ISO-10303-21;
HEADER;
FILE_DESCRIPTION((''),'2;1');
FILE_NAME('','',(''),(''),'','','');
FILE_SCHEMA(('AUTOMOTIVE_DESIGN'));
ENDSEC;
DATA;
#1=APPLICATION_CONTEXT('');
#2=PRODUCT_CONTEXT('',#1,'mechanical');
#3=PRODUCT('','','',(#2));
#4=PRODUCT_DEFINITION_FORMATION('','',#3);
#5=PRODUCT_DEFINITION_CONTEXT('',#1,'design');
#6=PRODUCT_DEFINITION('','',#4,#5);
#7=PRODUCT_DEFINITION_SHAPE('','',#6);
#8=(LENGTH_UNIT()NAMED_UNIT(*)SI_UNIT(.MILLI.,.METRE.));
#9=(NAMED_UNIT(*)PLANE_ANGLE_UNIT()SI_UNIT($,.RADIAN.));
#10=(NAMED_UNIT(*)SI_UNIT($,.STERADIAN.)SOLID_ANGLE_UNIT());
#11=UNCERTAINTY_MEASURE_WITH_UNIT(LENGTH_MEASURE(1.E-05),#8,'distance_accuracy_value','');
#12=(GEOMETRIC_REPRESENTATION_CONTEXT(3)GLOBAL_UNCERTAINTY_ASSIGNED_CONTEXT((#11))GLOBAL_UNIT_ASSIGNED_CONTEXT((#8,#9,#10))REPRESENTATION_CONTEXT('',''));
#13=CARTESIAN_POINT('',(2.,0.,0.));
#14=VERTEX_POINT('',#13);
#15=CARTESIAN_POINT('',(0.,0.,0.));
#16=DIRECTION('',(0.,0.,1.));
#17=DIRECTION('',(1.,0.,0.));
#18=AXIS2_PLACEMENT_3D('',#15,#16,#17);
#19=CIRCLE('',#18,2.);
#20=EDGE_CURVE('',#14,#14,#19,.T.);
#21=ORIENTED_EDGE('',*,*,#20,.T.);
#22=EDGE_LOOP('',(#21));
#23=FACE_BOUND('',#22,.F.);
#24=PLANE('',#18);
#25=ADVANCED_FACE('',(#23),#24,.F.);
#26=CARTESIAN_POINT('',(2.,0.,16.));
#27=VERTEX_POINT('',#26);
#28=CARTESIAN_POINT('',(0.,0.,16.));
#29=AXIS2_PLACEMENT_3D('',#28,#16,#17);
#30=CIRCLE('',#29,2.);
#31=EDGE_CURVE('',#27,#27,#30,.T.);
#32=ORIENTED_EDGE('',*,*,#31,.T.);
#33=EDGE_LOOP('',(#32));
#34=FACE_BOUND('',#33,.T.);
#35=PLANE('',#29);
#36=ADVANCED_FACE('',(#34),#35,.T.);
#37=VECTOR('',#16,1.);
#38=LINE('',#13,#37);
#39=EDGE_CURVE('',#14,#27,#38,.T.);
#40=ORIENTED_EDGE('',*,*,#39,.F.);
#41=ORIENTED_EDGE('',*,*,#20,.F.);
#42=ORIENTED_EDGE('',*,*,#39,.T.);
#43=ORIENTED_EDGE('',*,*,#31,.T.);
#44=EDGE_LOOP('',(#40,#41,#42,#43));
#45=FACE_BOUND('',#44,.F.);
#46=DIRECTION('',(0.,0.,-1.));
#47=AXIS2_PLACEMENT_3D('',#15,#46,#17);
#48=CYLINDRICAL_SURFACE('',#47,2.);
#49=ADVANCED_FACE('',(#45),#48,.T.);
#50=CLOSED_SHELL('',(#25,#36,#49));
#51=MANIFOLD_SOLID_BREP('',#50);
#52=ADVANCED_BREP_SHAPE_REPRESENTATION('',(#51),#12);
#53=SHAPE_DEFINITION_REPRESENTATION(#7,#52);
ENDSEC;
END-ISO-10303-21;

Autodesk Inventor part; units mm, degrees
ref_plane "YZ Plane" through (0, 0, 0) normal (1, 0, 0) x (0, 1, 0)
ref_plane "XZ Plane" through (0, 0, 0) normal (0, 1, 0) x (-1, 0, 0)
ref_plane "XY Plane" through (0, 0, 0) normal (0, 0, 1) x (1, 0, 0)
sketch "Sketch1" plane through (0, 0, 0) normal (0, 0, 1) x (1, 0, 0)
  circle A0 centre (0, 0) radius 2
  dimension "d0" = 4
extrude "Extrusion1" add sketch "Sketch1" along normal blind 16
properties part number "illesztőcsap"
